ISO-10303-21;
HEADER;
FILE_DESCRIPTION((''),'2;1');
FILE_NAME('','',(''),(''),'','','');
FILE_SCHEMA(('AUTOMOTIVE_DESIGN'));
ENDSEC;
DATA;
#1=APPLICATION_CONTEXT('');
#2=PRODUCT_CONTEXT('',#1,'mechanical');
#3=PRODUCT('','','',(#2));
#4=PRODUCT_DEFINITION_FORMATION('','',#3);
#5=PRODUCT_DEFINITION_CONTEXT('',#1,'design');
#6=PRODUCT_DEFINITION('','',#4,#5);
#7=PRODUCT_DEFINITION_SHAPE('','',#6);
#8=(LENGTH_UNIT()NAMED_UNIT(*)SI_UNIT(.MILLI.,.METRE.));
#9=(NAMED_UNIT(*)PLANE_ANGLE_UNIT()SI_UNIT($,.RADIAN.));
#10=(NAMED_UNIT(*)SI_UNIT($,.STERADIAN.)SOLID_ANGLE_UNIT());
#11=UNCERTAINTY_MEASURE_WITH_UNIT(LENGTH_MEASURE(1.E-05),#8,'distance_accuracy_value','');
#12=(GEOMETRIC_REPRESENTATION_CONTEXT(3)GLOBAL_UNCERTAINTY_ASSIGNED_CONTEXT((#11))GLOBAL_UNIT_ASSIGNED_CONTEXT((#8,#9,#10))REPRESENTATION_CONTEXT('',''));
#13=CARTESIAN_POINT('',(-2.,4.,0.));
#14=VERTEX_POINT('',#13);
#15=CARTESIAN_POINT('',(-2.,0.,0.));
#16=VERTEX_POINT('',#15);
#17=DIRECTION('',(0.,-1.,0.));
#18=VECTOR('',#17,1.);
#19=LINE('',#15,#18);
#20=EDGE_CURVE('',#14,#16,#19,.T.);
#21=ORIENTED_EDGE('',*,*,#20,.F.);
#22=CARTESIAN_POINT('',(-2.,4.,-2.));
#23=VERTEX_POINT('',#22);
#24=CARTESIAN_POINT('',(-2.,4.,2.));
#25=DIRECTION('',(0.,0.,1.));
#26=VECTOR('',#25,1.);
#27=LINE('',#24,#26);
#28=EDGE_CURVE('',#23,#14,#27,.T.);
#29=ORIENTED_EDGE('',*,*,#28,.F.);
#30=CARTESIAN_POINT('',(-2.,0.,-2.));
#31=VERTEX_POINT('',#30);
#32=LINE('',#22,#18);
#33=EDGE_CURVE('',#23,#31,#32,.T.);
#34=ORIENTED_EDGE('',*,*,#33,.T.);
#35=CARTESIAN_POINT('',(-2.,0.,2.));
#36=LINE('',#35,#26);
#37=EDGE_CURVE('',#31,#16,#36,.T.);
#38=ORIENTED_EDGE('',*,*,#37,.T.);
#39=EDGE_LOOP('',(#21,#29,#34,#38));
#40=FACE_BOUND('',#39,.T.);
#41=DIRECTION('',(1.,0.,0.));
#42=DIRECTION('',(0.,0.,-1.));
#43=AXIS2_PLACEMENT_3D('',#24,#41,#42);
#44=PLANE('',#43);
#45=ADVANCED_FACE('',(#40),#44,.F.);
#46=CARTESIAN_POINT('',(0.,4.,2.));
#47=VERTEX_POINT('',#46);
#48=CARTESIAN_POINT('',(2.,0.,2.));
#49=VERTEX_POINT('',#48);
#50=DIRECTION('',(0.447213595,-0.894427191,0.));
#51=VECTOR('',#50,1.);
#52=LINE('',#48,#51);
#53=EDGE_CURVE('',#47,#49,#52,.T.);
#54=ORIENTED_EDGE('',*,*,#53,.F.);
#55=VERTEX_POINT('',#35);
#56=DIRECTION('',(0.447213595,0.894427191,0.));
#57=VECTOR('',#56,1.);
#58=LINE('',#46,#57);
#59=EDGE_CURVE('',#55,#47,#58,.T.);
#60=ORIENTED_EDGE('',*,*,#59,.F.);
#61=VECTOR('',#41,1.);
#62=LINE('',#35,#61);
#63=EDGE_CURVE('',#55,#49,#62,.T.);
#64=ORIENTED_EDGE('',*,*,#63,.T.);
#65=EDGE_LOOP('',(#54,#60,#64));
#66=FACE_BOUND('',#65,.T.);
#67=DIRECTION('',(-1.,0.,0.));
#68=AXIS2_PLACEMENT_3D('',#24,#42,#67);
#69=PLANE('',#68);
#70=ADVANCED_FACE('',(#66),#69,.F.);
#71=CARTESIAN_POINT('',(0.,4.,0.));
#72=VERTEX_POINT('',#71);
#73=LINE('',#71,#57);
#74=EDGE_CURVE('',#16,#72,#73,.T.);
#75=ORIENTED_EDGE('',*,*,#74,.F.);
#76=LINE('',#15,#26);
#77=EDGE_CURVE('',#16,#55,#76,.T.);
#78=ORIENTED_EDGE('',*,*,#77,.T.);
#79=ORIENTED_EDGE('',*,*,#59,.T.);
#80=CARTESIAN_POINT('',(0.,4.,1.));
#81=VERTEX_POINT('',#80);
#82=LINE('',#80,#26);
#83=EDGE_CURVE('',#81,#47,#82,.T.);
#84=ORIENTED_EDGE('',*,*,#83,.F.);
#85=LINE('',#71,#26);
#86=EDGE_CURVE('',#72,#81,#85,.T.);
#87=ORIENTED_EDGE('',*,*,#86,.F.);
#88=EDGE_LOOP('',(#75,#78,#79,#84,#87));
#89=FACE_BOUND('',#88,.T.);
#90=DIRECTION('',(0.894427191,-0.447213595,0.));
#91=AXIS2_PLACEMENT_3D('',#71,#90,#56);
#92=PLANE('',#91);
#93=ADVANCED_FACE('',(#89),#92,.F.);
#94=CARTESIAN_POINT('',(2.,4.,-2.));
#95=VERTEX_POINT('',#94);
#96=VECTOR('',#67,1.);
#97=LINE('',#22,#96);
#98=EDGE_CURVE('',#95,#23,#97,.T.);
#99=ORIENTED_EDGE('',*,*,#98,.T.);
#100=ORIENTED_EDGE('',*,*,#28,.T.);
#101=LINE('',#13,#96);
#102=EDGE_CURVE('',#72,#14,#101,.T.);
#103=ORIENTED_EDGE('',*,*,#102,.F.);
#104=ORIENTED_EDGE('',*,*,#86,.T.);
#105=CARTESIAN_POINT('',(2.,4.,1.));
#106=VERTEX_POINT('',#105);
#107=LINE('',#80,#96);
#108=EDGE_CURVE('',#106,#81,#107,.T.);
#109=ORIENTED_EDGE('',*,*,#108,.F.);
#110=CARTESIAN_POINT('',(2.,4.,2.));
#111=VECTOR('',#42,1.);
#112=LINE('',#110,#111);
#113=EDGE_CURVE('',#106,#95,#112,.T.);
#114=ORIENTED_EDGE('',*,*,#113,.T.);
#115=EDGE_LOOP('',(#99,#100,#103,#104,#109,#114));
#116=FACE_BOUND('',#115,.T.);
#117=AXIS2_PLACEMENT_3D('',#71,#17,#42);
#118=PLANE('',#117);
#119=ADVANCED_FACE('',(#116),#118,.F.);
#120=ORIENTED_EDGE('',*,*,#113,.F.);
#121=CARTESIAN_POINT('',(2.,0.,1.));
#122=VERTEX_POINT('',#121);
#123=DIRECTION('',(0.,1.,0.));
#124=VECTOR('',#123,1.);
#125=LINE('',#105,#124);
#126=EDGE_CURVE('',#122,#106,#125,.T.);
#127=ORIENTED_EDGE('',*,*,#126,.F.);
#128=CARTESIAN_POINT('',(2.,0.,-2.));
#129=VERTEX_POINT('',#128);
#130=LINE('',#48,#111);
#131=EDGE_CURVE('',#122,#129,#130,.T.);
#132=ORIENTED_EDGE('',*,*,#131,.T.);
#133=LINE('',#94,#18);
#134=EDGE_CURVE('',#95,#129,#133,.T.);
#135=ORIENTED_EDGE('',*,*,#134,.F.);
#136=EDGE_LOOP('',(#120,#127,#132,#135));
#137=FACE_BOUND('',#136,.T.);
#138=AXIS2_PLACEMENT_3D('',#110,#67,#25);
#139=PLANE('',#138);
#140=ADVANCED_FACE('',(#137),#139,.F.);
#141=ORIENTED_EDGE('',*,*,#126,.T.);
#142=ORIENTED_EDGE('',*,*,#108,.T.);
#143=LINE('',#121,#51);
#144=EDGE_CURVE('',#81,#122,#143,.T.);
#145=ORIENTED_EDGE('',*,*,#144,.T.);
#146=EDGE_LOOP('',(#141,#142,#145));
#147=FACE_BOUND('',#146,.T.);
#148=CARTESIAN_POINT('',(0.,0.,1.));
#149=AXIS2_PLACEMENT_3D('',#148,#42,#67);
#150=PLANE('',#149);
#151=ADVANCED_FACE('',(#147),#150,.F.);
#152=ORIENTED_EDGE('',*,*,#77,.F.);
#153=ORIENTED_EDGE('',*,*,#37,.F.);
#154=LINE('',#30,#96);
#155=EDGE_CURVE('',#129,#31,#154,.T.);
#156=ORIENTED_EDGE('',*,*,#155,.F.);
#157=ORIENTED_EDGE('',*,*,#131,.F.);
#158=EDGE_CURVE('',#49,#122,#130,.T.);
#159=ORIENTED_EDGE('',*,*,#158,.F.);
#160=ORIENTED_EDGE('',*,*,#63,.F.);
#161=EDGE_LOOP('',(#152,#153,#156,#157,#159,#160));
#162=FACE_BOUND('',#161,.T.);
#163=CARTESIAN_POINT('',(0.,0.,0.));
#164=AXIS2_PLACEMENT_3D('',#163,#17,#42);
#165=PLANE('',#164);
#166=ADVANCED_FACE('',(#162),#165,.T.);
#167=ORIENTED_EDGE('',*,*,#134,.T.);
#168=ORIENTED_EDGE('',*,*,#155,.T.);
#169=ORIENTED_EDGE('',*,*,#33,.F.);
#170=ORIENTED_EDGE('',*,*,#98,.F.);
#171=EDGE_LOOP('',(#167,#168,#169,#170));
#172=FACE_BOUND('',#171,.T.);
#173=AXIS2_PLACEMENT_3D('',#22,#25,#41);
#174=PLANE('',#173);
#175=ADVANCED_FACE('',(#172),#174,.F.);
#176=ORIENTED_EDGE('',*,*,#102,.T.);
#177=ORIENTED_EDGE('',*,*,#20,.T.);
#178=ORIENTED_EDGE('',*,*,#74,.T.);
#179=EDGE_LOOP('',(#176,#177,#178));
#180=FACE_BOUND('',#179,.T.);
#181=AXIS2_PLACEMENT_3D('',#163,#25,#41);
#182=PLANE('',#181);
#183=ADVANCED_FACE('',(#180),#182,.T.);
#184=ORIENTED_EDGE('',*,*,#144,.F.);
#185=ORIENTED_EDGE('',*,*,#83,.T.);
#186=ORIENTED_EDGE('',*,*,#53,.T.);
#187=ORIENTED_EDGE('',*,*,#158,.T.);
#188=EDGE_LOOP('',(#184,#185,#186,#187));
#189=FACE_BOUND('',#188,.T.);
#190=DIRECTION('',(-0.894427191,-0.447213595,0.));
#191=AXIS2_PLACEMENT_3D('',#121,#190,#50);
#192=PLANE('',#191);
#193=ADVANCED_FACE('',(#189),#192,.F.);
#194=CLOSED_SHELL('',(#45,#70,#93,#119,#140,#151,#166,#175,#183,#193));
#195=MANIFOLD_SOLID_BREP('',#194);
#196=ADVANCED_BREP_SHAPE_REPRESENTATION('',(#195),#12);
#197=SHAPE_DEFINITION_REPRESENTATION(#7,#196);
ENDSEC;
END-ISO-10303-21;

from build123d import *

# Parameters (mm, degrees)
SKETCH1_W           = 4
SKETCH1_H           = 4
BOSS_EXTRUDE1_DEPTH = 4
CUT_EXTRUDE1_DEPTH  = 1
CUT_EXTRUDE2_DEPTH  = 2


with BuildPart() as part:
    # Sketch1 → Boss-Extrude1 (new body)
    with BuildSketch(Plane(origin=(0, 0, 0), x_dir=(1, 0, 0), z_dir=(0, 1, 0))):
        Rectangle(SKETCH1_W, SKETCH1_H)
    extrude(amount=BOSS_EXTRUDE1_DEPTH)

    # Sketch4 → Cut-Extrude1 (cut)
    with BuildSketch(Plane.XY.offset(2)):
        Polygon((0, 4), (2, 4), (2, 0), align=None)
    extrude(amount=-CUT_EXTRUDE1_DEPTH, mode=Mode.SUBTRACT)

    # Sketch5 → Cut-Extrude2 (cut)
    with BuildSketch(Plane.XY.offset(2)):
        Polygon((0, 4), (-2, 0), (-2, 4), align=None)
    extrude(amount=-CUT_EXTRUDE2_DEPTH, mode=Mode.SUBTRACT)


solid = part.part
